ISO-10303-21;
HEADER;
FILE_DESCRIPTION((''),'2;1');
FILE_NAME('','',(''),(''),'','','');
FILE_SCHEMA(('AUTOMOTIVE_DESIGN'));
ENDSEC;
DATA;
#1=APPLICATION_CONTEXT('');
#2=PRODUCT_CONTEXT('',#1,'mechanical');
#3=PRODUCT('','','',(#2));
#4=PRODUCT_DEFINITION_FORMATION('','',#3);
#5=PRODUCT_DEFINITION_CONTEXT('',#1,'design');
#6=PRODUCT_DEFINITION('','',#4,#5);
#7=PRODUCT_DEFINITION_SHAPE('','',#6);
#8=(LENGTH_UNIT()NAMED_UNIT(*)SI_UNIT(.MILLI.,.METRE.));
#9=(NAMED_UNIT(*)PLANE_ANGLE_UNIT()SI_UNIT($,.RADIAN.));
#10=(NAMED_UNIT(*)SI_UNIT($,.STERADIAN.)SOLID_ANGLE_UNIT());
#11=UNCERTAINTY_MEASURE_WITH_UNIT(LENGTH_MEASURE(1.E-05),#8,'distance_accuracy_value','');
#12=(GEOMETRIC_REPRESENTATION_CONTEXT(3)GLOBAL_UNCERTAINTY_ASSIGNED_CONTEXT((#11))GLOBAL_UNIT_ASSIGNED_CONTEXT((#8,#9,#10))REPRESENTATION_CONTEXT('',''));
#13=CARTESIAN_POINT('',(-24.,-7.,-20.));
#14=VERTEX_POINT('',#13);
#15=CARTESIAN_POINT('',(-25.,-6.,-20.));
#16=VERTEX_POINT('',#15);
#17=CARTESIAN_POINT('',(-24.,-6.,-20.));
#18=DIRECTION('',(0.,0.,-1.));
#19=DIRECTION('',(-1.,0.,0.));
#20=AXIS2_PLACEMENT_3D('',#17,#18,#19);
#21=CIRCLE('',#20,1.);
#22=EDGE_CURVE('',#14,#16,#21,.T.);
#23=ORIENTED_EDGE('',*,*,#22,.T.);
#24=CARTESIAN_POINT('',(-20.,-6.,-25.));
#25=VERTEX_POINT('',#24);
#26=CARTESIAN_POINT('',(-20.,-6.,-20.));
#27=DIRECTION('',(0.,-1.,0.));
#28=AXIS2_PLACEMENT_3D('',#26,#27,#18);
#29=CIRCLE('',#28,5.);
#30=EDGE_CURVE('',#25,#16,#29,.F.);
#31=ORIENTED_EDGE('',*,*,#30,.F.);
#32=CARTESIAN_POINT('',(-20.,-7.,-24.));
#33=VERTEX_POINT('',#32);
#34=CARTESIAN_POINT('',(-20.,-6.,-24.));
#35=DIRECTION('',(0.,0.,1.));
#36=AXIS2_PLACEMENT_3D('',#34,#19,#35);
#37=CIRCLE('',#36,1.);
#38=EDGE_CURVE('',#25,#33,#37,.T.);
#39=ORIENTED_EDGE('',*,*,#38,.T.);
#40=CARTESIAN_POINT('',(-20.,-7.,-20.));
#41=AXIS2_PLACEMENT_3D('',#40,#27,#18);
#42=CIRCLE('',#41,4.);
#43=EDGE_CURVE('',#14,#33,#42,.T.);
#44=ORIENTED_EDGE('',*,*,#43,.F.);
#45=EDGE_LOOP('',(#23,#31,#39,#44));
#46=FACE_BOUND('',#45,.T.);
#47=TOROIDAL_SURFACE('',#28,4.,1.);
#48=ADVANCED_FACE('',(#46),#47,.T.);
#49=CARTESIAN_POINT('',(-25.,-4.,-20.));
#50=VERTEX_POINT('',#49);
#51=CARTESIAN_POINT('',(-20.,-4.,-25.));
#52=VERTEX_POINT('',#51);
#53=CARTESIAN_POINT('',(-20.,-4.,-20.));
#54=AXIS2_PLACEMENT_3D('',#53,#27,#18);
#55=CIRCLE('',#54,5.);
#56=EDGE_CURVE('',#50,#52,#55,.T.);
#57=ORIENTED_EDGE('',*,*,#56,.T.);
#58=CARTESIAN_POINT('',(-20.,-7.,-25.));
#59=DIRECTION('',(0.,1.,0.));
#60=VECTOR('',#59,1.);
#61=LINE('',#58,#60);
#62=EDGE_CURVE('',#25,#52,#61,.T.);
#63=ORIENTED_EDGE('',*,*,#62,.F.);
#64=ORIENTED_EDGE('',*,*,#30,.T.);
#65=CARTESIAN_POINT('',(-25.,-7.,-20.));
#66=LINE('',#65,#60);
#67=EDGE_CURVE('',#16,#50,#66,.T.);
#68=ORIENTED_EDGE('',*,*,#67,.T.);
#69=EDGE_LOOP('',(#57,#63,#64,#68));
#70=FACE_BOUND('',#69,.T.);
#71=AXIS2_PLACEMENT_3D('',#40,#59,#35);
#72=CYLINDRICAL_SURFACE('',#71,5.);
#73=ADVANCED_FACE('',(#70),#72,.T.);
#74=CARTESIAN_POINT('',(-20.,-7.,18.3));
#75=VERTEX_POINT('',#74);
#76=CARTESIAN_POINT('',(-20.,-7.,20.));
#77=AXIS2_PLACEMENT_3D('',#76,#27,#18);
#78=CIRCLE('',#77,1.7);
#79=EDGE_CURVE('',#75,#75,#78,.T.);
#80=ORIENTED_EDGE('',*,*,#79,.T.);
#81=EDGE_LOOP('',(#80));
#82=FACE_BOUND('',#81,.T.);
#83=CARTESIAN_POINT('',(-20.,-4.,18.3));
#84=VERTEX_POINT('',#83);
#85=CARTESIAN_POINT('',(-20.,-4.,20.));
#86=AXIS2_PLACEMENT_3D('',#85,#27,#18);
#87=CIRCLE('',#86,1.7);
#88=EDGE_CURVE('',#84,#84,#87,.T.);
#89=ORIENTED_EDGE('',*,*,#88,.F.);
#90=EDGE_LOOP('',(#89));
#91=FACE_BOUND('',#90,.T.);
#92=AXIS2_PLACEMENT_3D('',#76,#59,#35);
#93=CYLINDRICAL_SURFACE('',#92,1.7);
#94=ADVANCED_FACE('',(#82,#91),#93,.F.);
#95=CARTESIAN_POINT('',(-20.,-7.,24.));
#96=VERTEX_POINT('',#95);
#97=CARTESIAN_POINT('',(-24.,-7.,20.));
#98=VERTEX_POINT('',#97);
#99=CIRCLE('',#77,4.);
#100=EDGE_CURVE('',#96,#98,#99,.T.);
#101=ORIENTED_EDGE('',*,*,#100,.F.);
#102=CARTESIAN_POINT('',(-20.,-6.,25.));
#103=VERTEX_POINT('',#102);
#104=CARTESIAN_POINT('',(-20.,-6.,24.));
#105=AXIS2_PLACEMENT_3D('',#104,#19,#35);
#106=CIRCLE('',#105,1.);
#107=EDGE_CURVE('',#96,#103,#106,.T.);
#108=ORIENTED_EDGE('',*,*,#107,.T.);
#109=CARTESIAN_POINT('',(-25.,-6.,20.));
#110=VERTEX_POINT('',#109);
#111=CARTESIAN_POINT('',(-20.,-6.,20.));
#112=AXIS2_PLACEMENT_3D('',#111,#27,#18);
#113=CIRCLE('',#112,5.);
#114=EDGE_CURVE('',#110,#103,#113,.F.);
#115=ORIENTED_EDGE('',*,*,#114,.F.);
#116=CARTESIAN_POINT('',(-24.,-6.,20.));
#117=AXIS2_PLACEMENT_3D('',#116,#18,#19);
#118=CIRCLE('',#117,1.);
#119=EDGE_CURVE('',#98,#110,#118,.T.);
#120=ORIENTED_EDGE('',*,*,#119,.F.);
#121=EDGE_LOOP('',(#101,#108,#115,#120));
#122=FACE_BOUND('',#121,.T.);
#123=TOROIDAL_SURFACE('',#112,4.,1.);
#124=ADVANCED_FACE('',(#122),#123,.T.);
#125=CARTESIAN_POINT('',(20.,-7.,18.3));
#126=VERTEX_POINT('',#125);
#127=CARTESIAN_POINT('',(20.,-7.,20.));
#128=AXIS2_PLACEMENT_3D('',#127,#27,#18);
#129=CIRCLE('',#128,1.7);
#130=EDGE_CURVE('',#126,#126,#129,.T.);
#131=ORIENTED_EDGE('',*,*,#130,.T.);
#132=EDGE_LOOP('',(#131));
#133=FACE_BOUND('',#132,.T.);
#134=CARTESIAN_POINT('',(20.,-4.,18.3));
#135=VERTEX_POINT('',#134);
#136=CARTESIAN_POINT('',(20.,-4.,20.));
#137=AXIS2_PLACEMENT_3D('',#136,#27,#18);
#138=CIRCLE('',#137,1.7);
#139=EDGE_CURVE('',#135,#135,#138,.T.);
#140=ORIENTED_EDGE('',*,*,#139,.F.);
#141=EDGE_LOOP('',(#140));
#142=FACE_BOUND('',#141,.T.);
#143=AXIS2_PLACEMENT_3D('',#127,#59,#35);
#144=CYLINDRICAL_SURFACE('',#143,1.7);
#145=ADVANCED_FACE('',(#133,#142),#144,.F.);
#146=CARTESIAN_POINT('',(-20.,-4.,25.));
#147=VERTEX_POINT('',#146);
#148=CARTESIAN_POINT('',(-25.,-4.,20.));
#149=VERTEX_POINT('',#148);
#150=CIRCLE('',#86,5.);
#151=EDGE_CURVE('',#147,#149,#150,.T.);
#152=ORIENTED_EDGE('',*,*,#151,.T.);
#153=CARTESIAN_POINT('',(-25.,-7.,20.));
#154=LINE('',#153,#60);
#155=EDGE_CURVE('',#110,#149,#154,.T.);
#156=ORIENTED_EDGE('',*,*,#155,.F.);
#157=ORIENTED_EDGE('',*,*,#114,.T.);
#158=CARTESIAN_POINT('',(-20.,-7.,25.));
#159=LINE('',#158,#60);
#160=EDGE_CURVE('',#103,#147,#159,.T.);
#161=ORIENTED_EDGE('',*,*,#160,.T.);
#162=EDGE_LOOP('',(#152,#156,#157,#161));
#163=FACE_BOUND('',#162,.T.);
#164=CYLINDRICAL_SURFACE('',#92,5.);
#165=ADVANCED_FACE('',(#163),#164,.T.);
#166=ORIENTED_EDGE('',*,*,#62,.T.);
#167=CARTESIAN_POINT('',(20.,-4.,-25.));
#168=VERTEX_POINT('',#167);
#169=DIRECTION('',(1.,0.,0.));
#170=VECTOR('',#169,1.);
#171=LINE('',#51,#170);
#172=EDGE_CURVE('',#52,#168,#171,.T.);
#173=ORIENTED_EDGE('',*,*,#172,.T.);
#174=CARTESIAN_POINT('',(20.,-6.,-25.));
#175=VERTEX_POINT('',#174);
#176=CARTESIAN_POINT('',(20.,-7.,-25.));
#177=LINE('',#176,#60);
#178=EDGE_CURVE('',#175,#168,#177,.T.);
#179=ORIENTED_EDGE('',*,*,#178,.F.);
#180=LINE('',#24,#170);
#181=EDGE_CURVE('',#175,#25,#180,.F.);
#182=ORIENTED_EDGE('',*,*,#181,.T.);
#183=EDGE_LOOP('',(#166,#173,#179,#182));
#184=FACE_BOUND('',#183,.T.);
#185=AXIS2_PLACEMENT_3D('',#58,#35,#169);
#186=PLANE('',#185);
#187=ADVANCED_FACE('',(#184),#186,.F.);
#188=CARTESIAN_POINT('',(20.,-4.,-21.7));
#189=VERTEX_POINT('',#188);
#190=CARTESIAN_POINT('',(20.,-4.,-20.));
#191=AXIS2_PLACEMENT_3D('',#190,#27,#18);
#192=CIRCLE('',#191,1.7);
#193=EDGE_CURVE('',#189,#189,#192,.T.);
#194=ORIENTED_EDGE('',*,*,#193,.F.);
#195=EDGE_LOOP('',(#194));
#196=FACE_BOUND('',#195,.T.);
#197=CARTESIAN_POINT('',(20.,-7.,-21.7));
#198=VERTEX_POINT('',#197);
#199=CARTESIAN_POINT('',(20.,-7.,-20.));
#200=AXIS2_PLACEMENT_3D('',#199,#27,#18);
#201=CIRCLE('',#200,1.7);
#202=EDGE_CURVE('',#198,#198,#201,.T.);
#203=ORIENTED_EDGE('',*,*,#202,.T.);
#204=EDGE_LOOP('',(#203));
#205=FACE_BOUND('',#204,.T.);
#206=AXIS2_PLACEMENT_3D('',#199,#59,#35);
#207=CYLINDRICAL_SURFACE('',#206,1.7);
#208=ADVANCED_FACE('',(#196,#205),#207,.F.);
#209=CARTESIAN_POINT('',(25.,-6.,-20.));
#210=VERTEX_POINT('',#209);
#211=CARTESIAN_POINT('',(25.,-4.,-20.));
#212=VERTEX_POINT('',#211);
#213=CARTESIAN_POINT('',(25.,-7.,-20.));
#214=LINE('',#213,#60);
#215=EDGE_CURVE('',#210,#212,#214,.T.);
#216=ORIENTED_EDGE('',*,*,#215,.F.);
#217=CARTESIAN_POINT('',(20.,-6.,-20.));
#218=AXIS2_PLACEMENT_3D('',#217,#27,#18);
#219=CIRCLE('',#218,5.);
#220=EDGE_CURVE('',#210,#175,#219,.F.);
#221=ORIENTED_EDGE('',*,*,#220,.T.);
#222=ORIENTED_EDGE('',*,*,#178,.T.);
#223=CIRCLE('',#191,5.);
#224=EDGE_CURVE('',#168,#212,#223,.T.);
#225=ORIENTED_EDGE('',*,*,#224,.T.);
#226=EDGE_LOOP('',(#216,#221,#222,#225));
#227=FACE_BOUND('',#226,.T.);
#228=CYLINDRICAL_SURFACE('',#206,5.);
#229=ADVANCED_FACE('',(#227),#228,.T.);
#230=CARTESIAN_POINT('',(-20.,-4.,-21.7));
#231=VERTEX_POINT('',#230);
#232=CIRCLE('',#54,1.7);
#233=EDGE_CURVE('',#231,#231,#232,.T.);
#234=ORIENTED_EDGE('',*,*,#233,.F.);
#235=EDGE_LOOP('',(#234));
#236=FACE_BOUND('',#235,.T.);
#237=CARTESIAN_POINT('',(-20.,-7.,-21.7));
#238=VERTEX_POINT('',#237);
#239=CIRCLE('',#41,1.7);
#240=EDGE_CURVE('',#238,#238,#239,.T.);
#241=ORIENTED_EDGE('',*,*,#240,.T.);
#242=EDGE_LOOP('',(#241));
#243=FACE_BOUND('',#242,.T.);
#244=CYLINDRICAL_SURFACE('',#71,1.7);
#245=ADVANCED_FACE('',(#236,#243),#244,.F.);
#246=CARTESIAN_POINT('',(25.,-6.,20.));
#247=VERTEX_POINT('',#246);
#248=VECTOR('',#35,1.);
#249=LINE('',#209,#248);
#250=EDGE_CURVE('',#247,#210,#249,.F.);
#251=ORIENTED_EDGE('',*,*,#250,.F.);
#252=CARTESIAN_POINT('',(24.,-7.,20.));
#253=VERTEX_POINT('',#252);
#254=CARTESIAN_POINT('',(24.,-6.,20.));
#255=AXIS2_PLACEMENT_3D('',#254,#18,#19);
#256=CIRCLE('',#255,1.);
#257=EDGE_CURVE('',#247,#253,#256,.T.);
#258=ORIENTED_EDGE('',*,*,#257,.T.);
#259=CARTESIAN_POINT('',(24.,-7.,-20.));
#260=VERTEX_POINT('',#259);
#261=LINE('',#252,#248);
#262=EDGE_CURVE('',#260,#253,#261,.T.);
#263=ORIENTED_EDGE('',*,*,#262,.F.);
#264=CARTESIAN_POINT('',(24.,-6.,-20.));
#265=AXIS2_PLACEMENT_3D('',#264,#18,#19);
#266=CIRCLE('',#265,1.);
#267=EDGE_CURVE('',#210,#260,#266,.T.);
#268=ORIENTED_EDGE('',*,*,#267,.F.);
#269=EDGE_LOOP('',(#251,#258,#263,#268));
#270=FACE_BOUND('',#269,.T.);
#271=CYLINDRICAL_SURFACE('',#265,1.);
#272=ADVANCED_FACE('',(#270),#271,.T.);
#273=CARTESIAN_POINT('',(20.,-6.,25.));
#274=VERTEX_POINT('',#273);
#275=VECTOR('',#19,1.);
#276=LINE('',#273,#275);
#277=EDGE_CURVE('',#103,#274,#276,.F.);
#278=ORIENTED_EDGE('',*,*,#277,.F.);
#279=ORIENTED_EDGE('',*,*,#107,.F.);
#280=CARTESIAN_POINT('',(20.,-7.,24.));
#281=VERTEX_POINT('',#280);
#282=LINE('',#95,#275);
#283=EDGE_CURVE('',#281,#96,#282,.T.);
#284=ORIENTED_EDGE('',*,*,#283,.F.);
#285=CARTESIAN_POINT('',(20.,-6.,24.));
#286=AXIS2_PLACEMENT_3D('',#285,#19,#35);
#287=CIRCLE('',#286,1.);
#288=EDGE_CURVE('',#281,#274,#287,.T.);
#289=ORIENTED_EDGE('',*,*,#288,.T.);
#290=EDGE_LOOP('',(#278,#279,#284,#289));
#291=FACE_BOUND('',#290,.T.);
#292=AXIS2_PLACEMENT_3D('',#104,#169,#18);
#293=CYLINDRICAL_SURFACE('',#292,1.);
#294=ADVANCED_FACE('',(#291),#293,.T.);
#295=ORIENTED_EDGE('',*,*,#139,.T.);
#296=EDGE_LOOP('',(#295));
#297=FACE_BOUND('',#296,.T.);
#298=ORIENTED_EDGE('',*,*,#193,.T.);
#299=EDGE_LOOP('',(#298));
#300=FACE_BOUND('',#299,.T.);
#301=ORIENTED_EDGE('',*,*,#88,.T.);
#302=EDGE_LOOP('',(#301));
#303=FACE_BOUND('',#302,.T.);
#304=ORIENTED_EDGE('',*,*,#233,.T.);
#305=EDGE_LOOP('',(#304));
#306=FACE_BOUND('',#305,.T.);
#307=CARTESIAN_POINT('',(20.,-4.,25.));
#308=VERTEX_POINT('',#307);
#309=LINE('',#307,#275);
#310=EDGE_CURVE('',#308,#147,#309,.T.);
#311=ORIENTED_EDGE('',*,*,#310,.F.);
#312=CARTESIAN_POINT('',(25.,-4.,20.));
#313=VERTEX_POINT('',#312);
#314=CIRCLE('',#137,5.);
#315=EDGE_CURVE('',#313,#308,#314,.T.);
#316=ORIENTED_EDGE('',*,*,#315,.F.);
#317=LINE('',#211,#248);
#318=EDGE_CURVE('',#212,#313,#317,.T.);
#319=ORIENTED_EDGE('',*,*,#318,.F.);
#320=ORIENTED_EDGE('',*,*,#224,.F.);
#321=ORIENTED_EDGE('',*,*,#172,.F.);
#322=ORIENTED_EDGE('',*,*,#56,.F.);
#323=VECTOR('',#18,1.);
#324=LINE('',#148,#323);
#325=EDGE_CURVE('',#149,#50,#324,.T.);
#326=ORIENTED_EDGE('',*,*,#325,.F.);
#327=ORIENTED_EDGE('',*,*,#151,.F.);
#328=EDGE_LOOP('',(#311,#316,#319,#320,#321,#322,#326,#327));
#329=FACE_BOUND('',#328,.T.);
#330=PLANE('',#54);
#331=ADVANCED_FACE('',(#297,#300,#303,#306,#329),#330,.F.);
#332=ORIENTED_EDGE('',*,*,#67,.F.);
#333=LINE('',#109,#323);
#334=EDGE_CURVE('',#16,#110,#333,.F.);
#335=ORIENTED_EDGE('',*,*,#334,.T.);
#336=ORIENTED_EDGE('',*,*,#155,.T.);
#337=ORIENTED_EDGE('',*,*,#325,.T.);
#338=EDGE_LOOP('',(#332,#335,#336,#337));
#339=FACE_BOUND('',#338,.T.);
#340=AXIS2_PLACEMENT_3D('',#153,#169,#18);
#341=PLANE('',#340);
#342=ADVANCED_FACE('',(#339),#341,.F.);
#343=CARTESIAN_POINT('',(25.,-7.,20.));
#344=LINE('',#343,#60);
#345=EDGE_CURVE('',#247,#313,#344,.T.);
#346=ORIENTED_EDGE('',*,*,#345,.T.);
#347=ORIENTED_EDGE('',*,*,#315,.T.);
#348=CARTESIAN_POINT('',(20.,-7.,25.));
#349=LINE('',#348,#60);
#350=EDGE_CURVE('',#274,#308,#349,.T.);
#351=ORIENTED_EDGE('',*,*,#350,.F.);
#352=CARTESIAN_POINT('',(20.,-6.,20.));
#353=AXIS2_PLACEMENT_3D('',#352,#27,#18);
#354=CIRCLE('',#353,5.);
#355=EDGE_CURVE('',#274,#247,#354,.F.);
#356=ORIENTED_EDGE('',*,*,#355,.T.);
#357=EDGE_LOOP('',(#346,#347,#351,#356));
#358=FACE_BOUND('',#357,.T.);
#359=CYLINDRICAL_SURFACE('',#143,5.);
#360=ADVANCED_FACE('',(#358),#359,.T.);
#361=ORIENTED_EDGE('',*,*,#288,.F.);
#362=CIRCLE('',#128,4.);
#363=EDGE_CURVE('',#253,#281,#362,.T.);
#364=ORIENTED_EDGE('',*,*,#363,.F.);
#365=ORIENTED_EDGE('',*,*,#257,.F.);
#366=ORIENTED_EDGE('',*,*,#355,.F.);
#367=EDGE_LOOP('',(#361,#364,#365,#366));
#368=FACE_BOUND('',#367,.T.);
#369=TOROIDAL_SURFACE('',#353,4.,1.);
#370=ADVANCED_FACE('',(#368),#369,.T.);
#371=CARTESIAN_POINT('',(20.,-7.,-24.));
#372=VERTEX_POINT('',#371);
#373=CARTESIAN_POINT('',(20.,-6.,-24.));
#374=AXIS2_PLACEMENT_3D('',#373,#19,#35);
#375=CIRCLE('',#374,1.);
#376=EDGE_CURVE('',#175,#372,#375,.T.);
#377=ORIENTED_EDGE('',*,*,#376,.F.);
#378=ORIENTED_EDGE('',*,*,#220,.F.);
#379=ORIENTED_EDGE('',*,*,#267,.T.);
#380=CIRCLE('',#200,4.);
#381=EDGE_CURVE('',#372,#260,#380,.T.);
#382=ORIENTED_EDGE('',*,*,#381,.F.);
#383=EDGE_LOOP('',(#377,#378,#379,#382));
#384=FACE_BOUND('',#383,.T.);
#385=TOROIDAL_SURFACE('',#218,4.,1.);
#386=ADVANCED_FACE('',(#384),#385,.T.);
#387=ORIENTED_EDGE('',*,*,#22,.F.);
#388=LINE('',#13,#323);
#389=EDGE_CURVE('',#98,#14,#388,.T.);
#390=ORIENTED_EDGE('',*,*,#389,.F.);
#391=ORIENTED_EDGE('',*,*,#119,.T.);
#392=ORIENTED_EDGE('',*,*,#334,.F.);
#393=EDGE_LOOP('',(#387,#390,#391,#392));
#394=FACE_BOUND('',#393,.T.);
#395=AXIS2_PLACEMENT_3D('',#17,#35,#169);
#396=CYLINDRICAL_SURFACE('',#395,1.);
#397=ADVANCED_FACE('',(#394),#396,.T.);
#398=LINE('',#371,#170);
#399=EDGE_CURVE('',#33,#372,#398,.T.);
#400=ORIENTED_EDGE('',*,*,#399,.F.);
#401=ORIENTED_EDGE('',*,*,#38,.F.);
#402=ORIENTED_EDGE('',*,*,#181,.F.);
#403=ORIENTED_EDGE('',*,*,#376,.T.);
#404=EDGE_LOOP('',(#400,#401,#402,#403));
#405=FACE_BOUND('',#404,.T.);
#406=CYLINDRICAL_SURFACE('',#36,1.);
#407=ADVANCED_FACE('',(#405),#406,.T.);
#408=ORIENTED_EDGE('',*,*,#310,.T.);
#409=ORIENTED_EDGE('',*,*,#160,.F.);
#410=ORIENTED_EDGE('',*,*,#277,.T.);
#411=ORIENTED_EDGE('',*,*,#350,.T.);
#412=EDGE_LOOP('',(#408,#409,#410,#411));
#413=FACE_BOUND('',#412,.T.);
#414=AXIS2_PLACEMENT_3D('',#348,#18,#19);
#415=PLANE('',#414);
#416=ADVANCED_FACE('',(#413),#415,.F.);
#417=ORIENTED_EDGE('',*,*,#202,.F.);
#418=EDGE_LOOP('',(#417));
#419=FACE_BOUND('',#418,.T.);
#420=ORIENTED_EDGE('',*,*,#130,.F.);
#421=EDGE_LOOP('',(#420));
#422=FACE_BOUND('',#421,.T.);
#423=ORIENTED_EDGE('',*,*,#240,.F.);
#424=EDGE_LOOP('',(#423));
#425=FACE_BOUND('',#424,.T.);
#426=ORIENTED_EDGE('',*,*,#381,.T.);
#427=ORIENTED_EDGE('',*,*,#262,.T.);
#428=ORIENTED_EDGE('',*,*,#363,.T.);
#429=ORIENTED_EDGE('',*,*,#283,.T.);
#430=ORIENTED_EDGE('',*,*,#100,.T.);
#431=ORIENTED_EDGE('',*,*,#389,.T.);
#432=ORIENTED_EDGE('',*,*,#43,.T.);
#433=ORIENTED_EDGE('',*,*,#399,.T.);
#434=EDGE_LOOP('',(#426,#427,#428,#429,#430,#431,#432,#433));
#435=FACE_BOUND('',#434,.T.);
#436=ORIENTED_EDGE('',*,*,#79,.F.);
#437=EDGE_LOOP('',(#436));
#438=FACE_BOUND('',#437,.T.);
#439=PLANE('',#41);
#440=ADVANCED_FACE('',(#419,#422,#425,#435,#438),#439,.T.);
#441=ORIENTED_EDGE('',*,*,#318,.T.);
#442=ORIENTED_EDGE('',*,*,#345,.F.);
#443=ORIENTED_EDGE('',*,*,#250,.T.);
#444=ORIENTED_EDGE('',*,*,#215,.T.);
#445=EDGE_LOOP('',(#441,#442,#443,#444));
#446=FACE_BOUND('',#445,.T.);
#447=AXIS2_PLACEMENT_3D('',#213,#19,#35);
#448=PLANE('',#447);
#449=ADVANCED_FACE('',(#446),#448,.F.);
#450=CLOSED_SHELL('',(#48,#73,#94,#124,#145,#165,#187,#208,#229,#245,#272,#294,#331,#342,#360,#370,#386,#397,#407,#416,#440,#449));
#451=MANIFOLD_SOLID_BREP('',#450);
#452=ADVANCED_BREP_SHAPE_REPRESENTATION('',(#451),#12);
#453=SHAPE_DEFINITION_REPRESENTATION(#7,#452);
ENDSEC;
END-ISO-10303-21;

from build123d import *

# Parameters (mm, degrees)
SKETCH1_R           = 1.7
BOSS_EXTRUDE1_DEPTH = 3
FILLET1_R           = 1


with BuildPart() as part:
    # Sketch1 → Boss-Extrude1 (new body)
    with BuildSketch(Plane.XZ.offset(4)):
        with BuildLine():
            Line((-20, -25), (20, -25))
            ThreePointArc((20, -25), (23.535533906, -23.535533906), (25, -20))
            Line((25, -20), (25, 20))
            ThreePointArc((25, 20), (23.535533906, 23.535533906), (20, 25))
            Line((20, 25), (-20, 25))
            ThreePointArc((-20, 25), (-23.535533906, 23.535533906), (-25, 20))
            Line((-25, 20), (-25, -20))
            ThreePointArc((-25, -20), (-23.535533906, -23.535533906), (-20, -25))
        make_face()
        with Locations((-20, 20)):
            Circle(SKETCH1_R, mode=Mode.SUBTRACT)
        with Locations((20, 20)):
            Circle(SKETCH1_R, mode=Mode.SUBTRACT)
        with Locations((-20, -20)):
            Circle(SKETCH1_R, mode=Mode.SUBTRACT)
        with Locations((20, -20)):
            Circle(SKETCH1_R, mode=Mode.SUBTRACT)
    extrude(amount=BOSS_EXTRUDE1_DEPTH)

    # Fillet1
    fillet1_edges = [part.edges().sort_by_distance(p)[0] for p in [
        (23.535533906, -7, -23.535533906),
        (25, -7, 0),
        (23.535533906, -7, 23.535533906),
        (0, -7, 25),
        (-23.535533906, -7, 23.535533906),
        (-25, -7, 0),
        (-23.535533906, -7, -23.535533906),
        (0, -7, -25),
    ]]
    fillet(fillet1_edges, radius=FILLET1_R)


solid = part.part
